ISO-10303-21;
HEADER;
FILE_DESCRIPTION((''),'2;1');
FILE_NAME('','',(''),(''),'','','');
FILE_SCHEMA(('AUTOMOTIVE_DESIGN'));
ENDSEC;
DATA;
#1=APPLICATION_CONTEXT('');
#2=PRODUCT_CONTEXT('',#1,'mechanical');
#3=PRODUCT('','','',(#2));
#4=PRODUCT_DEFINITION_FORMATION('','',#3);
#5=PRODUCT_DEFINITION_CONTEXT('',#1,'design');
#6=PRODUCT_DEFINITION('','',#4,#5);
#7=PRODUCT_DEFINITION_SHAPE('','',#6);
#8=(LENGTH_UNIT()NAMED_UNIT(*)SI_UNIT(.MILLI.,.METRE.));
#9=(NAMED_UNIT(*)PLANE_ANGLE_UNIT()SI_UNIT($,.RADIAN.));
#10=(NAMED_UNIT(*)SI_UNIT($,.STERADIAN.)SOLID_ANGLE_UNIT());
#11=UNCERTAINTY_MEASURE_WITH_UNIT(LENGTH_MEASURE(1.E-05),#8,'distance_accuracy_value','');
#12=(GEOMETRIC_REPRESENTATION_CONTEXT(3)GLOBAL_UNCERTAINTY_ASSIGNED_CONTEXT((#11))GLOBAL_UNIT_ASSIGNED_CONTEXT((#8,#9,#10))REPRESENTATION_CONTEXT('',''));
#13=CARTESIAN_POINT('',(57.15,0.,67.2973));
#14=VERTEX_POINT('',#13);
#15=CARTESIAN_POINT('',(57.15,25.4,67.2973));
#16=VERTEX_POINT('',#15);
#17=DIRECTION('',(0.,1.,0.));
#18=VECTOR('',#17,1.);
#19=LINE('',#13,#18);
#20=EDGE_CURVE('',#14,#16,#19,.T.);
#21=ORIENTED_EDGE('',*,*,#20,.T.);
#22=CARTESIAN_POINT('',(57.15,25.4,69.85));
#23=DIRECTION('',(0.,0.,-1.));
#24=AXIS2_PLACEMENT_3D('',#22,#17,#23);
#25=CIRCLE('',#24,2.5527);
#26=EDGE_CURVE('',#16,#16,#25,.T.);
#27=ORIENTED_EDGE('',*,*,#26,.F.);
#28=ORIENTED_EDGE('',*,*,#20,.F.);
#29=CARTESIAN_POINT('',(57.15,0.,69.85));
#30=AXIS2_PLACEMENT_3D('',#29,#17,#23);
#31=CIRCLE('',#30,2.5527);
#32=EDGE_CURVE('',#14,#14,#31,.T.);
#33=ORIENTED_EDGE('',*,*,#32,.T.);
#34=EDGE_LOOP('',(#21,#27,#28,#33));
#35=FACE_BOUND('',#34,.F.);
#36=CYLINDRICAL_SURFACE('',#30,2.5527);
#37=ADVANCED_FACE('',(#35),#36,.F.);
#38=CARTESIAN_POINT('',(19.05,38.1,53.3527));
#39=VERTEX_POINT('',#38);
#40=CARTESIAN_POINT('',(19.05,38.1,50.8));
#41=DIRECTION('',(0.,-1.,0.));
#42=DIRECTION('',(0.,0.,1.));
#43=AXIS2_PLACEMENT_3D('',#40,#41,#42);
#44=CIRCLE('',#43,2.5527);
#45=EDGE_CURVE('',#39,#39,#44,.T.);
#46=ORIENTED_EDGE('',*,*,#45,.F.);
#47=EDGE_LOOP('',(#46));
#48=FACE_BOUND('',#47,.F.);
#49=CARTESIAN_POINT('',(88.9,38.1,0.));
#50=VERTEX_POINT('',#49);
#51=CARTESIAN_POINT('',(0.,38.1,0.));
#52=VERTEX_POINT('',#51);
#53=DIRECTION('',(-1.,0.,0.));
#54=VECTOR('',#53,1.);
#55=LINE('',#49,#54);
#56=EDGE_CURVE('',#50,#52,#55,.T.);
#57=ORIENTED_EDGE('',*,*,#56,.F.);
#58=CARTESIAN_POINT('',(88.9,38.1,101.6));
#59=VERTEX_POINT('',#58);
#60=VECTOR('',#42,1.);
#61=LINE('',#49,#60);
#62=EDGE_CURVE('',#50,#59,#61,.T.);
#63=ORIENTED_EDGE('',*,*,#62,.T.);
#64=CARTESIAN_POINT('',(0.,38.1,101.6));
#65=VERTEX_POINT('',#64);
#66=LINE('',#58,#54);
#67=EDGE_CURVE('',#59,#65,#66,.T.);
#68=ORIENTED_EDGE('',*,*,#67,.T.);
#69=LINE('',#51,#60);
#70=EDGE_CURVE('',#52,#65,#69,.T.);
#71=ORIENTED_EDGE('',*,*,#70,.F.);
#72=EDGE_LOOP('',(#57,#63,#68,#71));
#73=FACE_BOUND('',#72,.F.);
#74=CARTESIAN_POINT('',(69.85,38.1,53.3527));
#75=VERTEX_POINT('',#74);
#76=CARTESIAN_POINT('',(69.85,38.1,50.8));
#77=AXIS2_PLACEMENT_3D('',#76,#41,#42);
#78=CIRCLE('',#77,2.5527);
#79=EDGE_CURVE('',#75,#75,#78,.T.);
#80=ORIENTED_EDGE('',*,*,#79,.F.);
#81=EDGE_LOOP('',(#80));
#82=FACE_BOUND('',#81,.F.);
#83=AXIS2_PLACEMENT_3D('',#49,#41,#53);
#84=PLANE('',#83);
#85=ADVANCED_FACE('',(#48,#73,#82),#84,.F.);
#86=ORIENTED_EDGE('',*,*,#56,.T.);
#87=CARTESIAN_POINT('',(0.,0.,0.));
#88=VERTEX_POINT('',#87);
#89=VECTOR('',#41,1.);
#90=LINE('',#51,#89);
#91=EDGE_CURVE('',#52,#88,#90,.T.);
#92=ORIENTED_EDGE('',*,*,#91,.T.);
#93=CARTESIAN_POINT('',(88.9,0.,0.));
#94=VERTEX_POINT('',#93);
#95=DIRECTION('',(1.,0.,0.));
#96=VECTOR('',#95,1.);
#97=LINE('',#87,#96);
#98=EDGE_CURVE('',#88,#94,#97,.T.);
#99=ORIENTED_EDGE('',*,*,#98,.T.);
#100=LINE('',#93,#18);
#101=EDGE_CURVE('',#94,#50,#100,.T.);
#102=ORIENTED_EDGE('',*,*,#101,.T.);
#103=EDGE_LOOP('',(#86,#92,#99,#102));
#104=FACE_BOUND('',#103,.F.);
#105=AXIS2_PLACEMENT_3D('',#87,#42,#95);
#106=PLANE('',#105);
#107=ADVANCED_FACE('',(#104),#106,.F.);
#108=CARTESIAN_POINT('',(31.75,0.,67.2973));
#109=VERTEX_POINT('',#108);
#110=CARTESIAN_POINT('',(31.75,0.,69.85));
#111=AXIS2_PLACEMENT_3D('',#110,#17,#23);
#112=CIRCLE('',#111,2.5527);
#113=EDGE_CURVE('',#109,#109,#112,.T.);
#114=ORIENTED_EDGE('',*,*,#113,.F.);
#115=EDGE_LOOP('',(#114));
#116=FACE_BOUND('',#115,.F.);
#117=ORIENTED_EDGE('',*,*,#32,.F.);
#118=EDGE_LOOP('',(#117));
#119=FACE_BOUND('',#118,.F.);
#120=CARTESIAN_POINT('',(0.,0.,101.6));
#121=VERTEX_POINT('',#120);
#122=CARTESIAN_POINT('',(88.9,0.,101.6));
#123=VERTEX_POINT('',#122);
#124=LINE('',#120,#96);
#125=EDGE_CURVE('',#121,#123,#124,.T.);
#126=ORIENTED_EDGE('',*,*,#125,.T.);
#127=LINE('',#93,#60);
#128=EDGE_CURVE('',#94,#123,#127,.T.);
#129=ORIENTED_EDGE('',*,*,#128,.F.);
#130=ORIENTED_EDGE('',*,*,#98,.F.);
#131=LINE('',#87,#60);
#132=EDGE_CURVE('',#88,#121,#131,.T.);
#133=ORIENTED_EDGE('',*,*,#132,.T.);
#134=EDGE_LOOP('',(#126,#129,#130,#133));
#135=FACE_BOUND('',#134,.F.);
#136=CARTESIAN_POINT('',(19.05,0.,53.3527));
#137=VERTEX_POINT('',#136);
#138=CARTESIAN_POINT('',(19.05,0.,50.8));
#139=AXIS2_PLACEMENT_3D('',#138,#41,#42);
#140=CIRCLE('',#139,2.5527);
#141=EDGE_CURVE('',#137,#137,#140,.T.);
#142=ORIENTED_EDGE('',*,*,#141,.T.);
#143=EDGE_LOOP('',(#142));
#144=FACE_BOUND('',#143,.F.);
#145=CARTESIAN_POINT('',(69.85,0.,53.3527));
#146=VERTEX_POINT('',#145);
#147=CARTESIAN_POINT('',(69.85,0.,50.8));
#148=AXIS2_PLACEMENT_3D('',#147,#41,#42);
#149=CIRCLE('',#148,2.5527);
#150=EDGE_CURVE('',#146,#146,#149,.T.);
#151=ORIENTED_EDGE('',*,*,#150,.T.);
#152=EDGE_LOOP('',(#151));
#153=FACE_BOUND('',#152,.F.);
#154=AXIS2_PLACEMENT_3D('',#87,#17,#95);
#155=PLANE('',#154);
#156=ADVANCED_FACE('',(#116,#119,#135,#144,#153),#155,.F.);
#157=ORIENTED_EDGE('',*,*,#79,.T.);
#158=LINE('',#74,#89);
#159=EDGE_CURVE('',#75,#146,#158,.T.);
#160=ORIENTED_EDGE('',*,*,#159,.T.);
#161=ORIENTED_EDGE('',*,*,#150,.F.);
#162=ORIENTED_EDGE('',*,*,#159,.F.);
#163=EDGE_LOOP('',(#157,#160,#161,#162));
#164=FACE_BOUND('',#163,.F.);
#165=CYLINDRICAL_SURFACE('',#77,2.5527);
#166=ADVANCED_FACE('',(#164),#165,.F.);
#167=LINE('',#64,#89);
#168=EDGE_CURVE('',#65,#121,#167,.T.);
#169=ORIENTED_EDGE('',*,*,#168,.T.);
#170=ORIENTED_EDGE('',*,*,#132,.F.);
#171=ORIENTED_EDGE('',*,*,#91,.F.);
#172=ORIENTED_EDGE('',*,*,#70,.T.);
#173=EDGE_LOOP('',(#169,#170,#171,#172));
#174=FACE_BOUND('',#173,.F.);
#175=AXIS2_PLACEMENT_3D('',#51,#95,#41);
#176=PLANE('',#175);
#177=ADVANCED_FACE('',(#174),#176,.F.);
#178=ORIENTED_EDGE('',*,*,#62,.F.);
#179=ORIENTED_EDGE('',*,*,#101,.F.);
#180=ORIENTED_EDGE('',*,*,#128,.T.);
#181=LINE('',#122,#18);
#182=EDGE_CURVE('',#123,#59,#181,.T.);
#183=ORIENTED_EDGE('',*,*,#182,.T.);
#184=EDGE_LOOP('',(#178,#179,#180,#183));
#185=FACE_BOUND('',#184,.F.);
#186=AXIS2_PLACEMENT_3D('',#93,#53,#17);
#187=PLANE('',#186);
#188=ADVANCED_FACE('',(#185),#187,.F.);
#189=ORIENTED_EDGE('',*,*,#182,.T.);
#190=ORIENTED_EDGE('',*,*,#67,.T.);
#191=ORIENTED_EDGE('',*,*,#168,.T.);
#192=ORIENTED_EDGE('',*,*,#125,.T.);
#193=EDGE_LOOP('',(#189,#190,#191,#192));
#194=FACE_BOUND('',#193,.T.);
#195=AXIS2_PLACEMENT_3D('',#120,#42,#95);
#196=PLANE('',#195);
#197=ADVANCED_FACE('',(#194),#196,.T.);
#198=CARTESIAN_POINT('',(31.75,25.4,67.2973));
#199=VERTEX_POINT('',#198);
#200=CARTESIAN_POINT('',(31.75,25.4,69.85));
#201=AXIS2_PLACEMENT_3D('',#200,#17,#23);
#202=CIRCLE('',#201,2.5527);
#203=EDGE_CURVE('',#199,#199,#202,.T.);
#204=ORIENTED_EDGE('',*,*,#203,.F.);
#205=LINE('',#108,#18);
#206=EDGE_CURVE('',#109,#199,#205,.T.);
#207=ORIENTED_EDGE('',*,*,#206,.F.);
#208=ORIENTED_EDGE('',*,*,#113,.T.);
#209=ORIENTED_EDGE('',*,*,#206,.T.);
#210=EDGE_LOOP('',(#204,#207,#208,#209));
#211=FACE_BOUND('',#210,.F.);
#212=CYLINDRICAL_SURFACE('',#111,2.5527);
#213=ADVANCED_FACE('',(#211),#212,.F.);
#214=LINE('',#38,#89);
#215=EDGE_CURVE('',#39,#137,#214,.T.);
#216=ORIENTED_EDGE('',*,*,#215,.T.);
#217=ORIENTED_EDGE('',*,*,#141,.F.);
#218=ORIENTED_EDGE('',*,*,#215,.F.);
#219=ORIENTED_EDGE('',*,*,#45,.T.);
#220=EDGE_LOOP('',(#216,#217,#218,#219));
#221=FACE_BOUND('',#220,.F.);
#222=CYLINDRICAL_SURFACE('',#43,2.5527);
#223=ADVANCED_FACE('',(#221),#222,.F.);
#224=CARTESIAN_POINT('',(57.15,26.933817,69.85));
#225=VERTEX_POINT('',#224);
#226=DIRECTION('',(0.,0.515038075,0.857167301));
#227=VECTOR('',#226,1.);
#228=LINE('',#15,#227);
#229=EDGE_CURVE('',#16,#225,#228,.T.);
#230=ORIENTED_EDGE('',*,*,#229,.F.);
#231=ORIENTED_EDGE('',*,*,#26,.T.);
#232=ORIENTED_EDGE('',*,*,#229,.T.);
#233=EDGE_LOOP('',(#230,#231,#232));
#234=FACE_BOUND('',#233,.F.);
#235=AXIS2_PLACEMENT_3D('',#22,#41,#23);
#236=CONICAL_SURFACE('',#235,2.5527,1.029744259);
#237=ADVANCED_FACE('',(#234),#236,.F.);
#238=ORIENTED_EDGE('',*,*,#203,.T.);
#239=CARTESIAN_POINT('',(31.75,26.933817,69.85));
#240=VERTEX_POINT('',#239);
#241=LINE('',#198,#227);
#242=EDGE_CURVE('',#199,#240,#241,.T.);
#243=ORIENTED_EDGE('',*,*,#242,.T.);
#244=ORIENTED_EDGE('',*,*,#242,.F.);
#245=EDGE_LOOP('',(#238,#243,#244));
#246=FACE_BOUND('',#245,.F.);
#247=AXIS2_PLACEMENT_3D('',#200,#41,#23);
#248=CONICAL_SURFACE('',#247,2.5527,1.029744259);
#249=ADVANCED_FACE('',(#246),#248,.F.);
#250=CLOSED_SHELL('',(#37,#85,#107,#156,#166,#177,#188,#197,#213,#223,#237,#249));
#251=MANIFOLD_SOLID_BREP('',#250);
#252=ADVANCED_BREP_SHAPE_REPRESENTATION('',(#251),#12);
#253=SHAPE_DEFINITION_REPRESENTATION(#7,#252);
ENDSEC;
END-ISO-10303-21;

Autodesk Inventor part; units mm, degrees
ref_plane "YZ Plane" through (0, 0, 0) normal (1, 0, 0) x (0, 1, 0)
ref_plane "XZ Plane" through (0, 0, 0) normal (0, 1, 0) x (-1, 0, 0)
ref_plane "XY Plane" through (0, 0, 0) normal (0, 0, 1) x (1, 0, 0)
sketch "Sketch1" plane through (0, 0, 0) normal (0, 0, 1) x (1, 0, 0)
  line L0 (0, 0) -> (88.9, 0)
  line L1 (88.9, 0) -> (88.9, 38.1)
  line L2 (88.9, 38.1) -> (0, 38.1)
  line L3 (0, 38.1) -> (0, 0)
  dimension "d0" = 88.9
  dimension "d1" = 38.1
extrude "Extrusion1" add sketch "Sketch1" along normal blind 101.6
sketch "Sketch3" plane through (0, 38.1, 0) normal (0, 1, 0) x (1, 0, 0)
  line L0 (88.9, 0) -> (0, 0) projected
  line L1 (88.9, -101.6) -> (0, -101.6) projected
  line L2 (88.9, 0) -> (88.9, -101.6) projected
  circle A0 centre (69.85, -50.8) radius 4.3006
  line L3 (44.45, 0) -> (44.45, -101.6) construction
  circle A1 centre (19.05, -50.8) radius 4.3006
  dimension "d4" = 19.05
hole "Hole1" at (19.05, 38.1, 50.8) at (69.85, 38.1, 50.8) direction (0, -1, 0) diameter 5.1054 end through all clearance for "Flat Head Machine Screw (82)" size "#10" standard "Ansi Unified Screw Threads"
sketch "Sketch4" plane through (0, 0, 0) normal (0, -1, 0) x (1, 0, 0)
  circle A0 centre (19.05, 50.8) radius 2.5527 projected
  circle A1 centre (69.85, 50.8) radius 2.5527 projected
  line L0 (0, 0) -> (88.9, 0) projected
  line L1 (0, 101.6) -> (88.9, 101.6) projected
  line L2 (44.45, 101.6) -> (44.45, 0) construction
  circle A2 centre (31.75, 69.85) radius 5.9334
  line L3 (19.05, 50.8) -> (69.85, 50.8) construction
  circle A3 centre (57.15, 69.85) radius 5.9334
  point P0 (31.75, 31.75)
  point P1 (57.15, 31.75)
  dimension "d12" = 19.05
  dimension "d13" = 12.7
hole "Hole3" at (31.75, 0, 69.85) at (57.15, 0, 69.85) direction (0, 1, 0) diameter 5.1054 depth 25.4 tip angle 118 clearance for "Flat Head Machine Screw (82)" size "#10" standard "Ansi Unified Screw Threads"
properties part number "hubjig_blocks" material "Wood (Cherry)"
